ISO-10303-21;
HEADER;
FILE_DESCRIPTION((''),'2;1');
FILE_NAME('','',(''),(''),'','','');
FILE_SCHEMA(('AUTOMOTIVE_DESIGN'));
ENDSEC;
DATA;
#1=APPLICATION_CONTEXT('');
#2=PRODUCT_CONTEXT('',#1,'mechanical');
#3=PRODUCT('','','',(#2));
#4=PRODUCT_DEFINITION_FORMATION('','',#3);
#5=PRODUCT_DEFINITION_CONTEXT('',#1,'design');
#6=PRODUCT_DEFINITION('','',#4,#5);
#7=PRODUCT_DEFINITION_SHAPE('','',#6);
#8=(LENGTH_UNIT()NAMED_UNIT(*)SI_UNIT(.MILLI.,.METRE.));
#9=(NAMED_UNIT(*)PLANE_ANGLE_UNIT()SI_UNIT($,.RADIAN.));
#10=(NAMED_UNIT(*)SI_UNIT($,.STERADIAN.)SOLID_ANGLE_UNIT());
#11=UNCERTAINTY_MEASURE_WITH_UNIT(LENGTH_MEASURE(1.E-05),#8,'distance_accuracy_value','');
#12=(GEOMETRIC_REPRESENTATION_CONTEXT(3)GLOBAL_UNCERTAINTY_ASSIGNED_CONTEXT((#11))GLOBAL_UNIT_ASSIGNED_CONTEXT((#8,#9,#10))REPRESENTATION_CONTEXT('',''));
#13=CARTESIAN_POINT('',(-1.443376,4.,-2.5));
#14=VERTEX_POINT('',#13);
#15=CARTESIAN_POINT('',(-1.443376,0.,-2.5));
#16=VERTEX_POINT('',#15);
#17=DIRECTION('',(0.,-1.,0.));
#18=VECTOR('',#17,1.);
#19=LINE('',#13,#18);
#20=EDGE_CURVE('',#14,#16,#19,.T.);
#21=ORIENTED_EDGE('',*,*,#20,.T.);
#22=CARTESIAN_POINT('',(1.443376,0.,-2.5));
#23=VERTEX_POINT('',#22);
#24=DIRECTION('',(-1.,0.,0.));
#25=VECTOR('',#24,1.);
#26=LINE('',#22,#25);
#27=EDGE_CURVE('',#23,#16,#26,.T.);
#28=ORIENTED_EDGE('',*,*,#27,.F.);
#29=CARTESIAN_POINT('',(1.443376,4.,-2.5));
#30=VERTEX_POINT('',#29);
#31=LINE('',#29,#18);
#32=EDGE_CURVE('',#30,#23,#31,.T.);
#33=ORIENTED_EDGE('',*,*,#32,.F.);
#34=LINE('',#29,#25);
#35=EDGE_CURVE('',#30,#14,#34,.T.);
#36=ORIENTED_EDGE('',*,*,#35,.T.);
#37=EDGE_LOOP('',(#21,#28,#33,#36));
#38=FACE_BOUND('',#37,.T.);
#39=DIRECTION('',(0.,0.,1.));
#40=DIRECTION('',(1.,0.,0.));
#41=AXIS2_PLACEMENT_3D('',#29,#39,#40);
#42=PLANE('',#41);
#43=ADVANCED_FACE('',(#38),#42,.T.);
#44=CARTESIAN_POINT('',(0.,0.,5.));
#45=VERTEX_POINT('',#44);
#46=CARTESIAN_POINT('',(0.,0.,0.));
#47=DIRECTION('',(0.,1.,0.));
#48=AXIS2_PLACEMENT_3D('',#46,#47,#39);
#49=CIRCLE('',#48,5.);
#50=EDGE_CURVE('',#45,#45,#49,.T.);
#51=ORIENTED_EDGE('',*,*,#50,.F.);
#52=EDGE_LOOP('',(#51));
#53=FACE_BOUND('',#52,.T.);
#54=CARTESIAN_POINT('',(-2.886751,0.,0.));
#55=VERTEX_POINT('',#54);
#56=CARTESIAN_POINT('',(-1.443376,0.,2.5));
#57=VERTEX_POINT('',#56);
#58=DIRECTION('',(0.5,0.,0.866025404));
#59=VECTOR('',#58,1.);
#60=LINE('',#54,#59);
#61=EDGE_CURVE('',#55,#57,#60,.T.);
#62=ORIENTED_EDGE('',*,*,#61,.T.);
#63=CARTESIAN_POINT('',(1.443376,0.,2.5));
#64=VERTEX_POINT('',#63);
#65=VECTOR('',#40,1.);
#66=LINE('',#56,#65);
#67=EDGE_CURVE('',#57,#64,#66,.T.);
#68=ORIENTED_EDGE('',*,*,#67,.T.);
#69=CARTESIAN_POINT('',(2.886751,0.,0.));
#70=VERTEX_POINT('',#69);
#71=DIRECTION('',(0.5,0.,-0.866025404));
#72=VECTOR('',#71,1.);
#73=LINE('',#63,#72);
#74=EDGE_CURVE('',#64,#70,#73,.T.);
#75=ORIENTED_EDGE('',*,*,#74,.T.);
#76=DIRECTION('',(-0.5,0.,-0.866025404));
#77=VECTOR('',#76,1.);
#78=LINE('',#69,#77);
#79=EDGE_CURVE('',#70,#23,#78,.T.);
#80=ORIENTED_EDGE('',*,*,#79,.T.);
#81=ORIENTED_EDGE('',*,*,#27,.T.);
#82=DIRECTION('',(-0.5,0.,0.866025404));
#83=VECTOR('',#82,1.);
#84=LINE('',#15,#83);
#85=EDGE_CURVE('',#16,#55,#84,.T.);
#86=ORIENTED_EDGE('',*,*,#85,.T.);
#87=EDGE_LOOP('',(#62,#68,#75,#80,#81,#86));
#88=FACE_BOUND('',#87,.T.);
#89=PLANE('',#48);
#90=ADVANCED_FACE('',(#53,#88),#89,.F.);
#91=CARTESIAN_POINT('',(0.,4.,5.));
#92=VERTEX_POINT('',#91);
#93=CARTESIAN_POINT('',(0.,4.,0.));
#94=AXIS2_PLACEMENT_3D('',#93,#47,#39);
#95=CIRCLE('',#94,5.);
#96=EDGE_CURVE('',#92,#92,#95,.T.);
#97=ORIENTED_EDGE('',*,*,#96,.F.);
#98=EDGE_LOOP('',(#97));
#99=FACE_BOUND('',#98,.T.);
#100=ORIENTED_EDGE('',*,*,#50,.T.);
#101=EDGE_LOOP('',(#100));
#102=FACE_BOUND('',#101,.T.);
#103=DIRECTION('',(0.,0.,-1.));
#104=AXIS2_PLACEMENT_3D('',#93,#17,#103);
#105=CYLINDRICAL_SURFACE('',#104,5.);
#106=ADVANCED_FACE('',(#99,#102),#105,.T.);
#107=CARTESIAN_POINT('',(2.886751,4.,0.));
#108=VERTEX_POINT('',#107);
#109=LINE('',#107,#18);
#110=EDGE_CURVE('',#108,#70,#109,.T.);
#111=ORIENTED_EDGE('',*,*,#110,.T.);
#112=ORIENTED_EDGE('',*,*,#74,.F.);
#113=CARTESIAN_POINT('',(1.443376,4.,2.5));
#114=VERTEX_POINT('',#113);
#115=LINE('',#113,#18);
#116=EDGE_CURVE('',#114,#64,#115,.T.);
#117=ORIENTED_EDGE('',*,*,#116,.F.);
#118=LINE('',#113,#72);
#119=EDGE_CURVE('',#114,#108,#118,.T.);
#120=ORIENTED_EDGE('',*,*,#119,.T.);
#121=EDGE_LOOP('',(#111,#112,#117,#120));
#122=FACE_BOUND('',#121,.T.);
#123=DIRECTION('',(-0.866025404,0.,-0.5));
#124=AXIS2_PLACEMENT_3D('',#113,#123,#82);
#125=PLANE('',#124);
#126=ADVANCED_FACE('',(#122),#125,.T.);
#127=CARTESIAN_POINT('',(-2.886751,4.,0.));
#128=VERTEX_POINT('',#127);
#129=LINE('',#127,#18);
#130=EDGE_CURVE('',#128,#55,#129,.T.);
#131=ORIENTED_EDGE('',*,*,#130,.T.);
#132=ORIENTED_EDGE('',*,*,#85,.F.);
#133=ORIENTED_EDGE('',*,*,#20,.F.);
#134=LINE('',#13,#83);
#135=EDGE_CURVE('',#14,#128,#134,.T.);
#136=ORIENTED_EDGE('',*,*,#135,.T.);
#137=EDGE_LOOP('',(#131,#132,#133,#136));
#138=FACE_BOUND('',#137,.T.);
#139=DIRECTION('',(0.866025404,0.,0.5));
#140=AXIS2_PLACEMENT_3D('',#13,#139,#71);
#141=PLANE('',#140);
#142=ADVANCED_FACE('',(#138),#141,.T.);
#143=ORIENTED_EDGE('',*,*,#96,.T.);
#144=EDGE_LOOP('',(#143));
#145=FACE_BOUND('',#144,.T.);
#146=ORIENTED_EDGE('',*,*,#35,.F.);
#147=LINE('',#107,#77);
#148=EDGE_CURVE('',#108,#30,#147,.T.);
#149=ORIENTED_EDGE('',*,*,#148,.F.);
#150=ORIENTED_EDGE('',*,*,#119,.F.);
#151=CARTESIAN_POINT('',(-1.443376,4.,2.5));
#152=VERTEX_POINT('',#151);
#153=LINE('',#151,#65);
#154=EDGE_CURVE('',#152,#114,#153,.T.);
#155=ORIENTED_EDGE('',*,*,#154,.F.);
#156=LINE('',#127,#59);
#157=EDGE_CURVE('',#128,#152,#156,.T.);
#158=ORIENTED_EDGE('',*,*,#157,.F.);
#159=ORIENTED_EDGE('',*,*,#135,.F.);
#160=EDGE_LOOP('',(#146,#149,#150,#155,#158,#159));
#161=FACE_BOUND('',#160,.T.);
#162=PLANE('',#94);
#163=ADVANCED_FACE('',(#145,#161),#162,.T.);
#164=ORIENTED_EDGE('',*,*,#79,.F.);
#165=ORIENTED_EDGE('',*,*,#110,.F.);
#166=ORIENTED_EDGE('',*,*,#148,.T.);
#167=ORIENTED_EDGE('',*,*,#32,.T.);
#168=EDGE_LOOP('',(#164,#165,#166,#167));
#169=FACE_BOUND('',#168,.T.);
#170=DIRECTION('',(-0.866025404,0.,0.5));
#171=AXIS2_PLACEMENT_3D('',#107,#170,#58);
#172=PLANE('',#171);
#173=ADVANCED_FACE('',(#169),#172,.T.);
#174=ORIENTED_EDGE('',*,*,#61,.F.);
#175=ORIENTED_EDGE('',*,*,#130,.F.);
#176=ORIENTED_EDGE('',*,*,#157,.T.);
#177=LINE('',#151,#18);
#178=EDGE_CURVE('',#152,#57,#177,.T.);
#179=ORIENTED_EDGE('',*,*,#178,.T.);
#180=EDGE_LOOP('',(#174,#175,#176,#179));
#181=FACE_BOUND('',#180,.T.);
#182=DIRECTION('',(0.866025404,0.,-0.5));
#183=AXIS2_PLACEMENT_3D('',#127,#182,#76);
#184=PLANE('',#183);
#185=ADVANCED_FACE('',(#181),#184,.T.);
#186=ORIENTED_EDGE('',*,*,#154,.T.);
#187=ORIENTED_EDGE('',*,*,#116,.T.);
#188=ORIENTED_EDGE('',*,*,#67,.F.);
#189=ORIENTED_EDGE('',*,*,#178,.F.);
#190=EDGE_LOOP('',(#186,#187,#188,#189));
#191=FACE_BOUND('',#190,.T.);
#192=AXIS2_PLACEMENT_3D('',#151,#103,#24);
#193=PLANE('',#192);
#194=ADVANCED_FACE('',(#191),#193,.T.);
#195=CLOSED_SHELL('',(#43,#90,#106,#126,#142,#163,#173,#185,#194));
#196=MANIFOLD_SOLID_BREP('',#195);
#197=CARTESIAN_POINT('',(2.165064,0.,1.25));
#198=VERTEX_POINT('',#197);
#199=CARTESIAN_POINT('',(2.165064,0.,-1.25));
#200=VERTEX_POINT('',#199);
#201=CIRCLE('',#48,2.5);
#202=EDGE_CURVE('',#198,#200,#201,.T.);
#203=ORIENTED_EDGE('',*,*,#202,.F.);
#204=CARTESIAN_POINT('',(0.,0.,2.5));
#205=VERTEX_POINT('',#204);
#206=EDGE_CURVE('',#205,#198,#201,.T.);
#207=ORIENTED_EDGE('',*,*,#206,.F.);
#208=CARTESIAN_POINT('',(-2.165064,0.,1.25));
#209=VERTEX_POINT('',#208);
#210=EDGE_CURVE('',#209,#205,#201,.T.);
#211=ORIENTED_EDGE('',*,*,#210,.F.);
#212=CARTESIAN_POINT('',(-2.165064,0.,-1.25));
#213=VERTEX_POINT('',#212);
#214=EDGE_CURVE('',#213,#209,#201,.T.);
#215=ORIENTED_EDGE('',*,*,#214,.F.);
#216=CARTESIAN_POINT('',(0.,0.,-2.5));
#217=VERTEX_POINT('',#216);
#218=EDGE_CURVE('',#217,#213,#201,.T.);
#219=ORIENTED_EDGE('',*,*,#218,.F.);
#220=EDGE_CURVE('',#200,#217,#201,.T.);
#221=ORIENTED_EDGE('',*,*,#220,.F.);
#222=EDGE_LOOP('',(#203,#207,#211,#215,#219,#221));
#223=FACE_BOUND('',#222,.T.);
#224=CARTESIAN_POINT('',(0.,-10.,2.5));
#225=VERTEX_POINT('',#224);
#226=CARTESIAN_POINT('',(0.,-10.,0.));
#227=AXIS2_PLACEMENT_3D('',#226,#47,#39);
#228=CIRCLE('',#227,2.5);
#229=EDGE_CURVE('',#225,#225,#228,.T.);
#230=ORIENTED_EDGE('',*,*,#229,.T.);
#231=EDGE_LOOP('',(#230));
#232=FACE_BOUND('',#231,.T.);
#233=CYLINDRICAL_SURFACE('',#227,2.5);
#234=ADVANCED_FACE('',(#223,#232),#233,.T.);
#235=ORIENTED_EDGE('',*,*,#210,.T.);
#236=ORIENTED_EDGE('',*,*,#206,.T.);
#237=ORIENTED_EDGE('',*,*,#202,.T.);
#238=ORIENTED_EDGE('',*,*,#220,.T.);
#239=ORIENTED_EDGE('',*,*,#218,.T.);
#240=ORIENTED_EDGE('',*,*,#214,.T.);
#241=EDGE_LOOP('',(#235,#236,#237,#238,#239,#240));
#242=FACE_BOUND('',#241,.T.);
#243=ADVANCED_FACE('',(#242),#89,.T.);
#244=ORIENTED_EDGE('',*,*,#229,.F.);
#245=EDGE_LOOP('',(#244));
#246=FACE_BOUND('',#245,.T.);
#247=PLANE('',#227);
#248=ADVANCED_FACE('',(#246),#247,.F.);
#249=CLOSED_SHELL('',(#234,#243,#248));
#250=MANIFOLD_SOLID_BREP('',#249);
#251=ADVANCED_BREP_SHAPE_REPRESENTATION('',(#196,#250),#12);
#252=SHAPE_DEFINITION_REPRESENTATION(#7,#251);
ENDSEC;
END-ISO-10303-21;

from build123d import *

# Parameters (mm, degrees)
SKETCH1_R      = 2.5
EXTRUDE1_DEPTH = 10
SKETCH2_R      = 5
EXTRUDE2_DEPTH = 4


with BuildPart() as part:
    # Sketch1 → Extrude1 (new body)
    with BuildSketch(Plane(origin=(0, 0, 0), x_dir=(1, 0, 0), z_dir=(0, 1, 0))):
        with Locations(Location((0, 0, 0), (0, 0, 270))):
            Circle(SKETCH1_R)
    extrude(amount=-EXTRUDE1_DEPTH)


with BuildPart() as body_2:
    # Sketch2 → Extrude2 (new body)
    with BuildSketch(Plane(origin=(0, 0, 0), x_dir=(1, 0, 0), z_dir=(0, 1, 0))):
        with Locations(Location((0, 0, 0), (0, 0, 270))):
            Circle(SKETCH2_R)
        Polygon((2.886751346, 0), (1.443375673, 2.5), (-1.443375673, 2.5), (-2.886751346, 0), (-1.443375673, -2.5), (1.443375673, -2.5), align=None, mode=Mode.SUBTRACT)
    extrude(amount=EXTRUDE2_DEPTH)


solid = Compound([part.part, body_2.part])
